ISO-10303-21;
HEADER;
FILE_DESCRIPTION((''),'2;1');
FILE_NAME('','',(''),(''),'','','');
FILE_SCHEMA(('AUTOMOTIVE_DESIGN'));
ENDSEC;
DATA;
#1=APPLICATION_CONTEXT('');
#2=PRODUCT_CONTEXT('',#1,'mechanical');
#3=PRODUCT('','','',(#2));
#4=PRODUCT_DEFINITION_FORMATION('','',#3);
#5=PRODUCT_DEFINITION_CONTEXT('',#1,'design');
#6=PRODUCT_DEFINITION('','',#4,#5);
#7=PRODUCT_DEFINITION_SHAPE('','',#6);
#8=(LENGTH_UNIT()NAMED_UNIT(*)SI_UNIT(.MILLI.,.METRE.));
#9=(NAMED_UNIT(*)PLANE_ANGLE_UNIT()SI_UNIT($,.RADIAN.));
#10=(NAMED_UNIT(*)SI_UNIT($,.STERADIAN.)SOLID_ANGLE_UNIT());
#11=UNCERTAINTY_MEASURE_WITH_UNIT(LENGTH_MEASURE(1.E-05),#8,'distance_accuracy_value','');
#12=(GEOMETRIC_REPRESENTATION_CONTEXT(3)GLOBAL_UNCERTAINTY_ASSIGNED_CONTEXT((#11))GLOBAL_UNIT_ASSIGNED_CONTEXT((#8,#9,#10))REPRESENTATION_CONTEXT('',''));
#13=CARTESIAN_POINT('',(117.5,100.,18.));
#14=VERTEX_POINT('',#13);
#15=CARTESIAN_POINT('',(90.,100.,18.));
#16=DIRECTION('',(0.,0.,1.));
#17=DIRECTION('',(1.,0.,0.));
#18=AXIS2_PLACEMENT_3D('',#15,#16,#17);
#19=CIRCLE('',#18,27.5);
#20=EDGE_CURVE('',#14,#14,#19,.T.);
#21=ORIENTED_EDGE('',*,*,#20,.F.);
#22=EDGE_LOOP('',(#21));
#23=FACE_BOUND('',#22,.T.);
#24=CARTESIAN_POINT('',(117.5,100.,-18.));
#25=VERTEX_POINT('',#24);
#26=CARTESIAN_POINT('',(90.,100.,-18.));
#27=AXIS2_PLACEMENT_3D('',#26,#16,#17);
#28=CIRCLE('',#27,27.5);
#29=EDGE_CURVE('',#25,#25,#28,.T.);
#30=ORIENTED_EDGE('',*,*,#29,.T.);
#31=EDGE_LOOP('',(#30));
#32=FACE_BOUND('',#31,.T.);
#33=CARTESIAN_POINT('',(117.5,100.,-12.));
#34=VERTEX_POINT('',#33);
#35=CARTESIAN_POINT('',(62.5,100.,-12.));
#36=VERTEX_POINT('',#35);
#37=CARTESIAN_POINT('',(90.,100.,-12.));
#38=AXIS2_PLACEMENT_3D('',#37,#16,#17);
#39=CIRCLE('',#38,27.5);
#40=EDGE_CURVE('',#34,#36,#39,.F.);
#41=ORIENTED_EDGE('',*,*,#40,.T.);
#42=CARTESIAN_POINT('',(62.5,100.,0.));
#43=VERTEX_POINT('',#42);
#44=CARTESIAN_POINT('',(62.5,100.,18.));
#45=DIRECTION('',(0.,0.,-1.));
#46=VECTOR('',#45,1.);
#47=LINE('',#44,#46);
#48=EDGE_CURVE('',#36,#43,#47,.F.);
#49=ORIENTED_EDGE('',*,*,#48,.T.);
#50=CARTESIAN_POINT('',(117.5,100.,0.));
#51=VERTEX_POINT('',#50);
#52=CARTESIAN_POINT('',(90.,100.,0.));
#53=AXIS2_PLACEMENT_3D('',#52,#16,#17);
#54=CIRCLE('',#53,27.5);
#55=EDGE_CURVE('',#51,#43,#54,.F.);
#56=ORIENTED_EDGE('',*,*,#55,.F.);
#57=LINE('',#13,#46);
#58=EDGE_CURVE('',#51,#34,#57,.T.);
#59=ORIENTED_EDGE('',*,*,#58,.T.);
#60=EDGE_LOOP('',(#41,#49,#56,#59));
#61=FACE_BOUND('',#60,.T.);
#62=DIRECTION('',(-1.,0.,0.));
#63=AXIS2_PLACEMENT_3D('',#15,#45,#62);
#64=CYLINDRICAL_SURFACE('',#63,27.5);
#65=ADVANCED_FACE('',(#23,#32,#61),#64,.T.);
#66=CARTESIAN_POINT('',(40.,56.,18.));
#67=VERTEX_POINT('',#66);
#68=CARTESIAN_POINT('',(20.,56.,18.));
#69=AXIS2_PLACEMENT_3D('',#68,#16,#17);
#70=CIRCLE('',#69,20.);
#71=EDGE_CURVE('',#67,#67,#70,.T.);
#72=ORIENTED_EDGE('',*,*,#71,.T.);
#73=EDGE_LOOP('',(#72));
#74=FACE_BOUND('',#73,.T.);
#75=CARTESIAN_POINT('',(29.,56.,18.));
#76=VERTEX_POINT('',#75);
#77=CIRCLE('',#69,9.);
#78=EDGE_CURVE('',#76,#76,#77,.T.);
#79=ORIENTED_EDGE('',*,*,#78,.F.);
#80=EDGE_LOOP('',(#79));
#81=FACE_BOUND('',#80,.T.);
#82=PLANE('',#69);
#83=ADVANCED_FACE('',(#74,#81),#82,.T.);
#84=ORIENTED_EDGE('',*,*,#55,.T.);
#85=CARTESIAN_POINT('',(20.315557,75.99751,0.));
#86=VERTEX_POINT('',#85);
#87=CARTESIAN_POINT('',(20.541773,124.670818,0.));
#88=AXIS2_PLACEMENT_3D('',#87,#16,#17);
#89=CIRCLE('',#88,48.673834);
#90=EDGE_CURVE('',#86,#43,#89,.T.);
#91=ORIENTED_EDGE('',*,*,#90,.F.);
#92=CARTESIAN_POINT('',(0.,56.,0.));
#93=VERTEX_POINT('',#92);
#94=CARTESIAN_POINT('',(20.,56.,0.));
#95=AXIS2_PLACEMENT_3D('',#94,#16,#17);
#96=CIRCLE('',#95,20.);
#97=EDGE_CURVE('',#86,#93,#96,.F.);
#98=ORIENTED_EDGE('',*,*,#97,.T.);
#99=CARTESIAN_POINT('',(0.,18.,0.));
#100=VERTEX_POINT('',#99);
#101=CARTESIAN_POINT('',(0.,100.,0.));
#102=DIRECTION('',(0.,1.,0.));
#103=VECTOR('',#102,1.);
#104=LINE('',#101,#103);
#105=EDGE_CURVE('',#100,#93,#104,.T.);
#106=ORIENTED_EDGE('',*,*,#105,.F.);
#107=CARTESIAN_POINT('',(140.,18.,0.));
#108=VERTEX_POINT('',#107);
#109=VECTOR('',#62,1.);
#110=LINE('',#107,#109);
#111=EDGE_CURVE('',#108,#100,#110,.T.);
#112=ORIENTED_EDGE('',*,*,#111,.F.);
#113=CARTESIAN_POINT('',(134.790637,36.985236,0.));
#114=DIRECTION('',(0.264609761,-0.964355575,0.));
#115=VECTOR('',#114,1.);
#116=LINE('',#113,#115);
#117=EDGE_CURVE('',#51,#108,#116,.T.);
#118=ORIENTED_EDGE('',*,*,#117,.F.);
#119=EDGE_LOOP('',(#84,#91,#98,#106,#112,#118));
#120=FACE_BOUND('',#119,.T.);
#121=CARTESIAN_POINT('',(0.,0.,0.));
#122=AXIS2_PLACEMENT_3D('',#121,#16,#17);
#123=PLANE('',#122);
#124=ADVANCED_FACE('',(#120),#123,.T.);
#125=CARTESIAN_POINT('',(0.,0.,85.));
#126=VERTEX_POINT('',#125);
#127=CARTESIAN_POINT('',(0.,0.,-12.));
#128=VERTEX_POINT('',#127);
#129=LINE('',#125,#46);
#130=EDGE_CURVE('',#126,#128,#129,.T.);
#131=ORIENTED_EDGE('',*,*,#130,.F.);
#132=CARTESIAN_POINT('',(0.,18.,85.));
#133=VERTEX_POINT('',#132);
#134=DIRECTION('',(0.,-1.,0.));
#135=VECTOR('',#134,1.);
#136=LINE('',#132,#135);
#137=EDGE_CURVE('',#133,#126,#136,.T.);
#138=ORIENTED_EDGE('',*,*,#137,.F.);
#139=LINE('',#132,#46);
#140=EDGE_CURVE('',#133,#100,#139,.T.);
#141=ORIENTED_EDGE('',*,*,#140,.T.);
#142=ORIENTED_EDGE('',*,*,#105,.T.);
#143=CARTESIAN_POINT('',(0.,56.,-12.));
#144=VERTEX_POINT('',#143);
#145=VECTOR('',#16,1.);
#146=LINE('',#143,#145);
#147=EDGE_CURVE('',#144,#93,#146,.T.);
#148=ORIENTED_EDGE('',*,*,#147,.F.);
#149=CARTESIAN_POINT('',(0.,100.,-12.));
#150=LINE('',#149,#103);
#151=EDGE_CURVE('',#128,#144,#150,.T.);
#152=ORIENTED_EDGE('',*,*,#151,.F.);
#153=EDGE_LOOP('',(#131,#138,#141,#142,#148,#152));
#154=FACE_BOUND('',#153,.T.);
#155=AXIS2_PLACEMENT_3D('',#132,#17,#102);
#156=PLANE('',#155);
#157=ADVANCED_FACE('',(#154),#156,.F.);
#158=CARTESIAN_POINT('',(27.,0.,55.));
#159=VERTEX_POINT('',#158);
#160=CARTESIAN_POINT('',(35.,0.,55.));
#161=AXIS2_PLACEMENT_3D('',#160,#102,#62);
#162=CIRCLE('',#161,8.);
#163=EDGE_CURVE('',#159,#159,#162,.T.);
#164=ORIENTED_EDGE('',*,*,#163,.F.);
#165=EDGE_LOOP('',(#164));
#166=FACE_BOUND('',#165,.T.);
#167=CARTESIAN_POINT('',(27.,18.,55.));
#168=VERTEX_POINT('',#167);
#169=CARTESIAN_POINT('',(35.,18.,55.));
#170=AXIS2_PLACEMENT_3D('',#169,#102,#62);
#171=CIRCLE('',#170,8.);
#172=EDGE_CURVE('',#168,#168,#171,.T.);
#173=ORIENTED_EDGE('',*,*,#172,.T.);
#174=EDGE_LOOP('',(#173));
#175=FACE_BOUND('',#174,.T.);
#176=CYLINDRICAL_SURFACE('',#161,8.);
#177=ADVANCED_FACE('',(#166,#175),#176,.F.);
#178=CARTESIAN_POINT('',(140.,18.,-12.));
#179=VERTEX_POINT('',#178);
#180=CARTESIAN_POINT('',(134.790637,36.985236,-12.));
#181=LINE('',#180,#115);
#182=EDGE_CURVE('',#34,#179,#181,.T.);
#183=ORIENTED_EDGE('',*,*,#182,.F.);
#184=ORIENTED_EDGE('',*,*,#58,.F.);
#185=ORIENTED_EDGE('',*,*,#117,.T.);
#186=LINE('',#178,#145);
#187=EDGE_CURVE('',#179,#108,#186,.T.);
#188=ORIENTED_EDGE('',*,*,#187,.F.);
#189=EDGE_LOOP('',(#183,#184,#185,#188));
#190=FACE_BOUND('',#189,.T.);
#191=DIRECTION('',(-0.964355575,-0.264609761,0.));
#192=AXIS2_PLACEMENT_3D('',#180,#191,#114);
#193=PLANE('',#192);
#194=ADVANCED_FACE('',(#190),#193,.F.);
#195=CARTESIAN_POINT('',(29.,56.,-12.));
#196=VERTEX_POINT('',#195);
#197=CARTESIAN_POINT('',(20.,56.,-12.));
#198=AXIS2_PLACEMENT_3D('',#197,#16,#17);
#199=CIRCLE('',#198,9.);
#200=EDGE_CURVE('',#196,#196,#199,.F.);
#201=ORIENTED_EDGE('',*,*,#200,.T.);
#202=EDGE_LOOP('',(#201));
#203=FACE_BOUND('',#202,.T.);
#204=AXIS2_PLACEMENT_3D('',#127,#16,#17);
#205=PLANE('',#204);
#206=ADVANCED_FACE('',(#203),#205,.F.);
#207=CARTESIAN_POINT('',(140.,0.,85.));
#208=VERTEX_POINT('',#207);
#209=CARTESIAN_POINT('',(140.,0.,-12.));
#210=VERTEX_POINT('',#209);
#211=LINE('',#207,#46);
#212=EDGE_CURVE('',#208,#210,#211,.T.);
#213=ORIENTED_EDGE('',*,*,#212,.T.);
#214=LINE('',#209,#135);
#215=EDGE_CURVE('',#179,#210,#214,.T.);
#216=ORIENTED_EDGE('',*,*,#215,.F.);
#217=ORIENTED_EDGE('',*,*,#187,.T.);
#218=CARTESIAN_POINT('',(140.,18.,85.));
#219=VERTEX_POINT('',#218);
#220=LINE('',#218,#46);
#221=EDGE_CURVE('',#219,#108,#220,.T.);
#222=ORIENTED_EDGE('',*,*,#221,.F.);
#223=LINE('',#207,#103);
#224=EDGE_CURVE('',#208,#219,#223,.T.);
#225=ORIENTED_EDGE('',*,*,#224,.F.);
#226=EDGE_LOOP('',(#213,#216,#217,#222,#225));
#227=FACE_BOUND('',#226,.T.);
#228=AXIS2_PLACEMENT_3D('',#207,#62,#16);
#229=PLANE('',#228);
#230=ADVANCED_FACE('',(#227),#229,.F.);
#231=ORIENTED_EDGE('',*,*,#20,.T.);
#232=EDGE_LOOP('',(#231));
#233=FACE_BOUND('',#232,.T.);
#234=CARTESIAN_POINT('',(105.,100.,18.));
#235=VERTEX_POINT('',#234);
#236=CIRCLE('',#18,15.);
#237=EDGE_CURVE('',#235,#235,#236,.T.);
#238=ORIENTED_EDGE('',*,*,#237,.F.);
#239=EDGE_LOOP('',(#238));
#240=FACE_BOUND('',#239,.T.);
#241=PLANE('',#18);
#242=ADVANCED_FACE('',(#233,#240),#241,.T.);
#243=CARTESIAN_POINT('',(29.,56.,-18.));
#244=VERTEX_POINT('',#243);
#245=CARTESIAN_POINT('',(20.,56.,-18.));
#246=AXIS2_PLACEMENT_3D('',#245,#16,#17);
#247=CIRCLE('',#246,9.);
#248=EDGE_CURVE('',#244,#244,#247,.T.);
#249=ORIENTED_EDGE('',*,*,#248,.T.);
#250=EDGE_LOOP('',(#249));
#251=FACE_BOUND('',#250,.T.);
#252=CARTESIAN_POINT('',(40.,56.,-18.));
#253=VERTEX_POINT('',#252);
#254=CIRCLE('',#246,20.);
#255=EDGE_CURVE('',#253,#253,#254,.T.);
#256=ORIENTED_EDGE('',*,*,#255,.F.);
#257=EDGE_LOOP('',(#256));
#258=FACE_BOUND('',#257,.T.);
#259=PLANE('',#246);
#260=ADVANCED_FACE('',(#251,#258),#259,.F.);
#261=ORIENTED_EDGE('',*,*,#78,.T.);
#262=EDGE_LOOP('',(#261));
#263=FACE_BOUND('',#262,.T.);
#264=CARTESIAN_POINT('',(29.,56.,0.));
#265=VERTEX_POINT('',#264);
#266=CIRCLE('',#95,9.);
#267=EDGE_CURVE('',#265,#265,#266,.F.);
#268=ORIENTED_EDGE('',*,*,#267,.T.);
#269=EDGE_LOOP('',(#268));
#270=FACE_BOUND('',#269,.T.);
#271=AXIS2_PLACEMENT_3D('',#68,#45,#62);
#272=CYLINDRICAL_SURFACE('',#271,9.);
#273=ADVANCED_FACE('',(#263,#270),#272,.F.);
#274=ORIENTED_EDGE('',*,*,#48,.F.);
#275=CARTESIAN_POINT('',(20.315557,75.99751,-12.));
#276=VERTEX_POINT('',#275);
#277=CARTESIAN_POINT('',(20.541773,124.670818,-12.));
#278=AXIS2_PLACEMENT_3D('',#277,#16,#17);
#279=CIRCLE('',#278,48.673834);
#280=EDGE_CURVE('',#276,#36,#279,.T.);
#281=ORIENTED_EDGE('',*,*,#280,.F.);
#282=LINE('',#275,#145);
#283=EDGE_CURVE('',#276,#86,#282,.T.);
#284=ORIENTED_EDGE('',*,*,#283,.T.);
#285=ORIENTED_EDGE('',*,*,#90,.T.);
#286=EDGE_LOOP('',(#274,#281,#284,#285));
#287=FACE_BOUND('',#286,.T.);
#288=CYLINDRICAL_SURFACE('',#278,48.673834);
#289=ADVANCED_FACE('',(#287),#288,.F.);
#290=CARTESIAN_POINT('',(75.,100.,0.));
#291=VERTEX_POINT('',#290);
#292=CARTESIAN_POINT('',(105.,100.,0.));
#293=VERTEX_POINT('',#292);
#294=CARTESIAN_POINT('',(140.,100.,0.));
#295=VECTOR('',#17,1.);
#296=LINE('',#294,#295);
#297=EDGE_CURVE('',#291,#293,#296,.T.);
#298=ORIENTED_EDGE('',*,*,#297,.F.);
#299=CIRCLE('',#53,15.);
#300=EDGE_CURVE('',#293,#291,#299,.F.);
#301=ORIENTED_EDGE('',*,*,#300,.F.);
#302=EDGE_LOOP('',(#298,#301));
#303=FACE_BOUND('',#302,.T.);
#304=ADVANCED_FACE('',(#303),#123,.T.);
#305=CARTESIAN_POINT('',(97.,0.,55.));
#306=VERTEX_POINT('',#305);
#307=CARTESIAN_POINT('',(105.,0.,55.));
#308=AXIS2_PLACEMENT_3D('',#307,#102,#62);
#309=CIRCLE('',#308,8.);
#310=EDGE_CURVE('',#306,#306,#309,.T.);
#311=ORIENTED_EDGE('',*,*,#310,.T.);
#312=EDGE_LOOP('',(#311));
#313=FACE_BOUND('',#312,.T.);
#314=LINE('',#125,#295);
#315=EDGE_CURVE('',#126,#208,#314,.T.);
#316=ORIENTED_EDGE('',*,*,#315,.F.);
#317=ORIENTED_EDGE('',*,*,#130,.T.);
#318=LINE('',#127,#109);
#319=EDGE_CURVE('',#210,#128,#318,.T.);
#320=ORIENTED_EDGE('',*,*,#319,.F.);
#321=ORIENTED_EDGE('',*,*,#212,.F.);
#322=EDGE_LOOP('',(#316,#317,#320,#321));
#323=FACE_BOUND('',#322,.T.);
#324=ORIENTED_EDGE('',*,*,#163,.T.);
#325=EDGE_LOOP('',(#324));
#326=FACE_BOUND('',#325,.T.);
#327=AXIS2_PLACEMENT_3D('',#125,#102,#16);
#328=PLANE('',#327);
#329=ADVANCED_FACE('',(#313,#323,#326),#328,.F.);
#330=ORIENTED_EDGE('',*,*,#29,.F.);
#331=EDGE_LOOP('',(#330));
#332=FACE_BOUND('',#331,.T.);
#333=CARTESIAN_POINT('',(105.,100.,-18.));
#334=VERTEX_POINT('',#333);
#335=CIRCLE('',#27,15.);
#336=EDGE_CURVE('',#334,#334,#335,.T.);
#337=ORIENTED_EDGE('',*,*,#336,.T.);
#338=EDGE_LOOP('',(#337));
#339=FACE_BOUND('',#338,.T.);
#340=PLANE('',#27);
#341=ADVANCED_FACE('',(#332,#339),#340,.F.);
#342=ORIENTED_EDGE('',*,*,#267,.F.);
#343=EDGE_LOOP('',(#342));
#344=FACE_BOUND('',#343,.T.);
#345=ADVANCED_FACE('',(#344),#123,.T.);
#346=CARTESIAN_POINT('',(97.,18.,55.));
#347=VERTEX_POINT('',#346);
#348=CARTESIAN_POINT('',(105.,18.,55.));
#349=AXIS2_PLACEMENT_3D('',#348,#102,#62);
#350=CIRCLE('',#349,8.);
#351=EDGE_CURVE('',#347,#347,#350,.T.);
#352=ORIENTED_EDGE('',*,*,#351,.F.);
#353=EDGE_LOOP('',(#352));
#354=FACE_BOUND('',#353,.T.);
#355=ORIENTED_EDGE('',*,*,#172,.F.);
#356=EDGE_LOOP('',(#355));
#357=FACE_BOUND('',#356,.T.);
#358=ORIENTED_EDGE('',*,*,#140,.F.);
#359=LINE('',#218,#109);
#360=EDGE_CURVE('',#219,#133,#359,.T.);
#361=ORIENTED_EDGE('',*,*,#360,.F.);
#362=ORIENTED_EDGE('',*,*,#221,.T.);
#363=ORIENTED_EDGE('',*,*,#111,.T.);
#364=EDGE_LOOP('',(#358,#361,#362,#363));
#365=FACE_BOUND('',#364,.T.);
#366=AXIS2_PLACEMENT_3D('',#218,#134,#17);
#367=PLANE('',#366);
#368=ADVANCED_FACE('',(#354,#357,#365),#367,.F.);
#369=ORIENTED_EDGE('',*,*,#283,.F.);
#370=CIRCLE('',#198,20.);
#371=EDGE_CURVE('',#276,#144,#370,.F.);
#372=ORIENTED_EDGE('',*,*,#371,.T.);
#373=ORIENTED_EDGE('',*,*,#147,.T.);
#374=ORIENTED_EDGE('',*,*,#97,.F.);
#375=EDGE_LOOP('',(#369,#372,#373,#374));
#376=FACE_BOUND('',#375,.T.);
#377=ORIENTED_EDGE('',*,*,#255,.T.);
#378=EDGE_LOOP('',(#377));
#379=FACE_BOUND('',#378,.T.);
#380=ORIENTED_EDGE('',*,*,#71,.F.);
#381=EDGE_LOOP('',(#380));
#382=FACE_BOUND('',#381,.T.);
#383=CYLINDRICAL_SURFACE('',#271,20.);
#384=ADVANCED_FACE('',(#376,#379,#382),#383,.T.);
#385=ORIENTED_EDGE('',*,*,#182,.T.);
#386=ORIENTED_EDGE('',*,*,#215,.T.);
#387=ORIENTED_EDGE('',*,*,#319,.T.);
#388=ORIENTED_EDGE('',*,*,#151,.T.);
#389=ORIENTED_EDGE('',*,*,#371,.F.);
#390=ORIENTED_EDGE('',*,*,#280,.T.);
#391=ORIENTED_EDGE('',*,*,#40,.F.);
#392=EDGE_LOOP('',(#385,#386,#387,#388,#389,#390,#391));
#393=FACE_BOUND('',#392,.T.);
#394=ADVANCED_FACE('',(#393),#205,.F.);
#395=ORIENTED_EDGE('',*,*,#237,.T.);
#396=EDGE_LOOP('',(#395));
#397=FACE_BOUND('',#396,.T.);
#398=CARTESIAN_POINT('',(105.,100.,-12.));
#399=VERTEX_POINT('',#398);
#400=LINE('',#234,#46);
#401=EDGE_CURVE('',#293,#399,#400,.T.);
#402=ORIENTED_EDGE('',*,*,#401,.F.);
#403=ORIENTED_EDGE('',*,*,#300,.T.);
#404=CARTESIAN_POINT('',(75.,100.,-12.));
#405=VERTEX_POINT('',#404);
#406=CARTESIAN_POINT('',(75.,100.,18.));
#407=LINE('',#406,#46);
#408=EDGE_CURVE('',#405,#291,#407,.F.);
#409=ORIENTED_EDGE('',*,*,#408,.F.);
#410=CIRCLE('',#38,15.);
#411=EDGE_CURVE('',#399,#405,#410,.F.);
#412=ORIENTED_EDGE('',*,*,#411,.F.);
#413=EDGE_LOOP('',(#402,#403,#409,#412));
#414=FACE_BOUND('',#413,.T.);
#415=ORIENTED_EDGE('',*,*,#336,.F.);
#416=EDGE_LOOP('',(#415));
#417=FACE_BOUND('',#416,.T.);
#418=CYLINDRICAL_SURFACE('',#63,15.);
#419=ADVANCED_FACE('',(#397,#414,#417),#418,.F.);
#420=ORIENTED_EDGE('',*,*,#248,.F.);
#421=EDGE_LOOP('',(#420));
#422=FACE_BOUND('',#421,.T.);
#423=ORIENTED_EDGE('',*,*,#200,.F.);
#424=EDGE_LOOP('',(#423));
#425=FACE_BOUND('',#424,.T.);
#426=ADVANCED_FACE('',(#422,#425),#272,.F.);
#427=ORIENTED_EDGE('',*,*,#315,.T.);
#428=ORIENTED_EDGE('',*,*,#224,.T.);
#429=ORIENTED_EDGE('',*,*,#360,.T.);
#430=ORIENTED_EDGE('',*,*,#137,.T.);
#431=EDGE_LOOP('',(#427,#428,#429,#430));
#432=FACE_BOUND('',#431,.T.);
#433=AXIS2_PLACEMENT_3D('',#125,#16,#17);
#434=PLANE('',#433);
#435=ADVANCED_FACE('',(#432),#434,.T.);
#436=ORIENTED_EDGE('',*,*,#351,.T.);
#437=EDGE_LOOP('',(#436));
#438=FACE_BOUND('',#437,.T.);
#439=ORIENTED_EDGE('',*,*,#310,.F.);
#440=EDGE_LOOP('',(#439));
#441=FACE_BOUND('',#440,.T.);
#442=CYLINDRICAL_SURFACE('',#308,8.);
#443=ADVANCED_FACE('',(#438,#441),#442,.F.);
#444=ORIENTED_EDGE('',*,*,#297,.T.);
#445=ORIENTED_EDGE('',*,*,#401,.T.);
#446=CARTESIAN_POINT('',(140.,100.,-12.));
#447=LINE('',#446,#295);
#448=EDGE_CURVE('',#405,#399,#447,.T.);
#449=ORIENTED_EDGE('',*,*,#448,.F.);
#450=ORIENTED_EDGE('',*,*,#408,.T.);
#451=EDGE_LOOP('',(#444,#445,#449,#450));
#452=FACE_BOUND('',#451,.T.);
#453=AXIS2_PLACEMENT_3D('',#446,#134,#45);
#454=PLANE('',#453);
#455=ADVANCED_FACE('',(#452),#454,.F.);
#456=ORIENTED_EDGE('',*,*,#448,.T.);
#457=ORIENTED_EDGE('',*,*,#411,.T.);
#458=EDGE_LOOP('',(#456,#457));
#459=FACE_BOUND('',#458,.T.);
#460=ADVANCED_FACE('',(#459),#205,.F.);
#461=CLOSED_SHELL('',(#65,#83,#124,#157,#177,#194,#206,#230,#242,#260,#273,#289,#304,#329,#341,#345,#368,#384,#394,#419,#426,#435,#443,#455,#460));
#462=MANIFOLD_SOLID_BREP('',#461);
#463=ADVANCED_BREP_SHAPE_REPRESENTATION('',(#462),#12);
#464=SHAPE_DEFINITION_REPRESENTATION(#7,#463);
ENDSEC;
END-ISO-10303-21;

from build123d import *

# Parameters (mm, degrees)
SKETCH1_W           = 140
SKETCH1_H           = 18
BOSS_EXTRUDE1_DEPTH = 85
SKETCH3_R           = 8
CUT_EXTRUDE2_DEPTH  = 18
SKETCH5_W           = 140
SKETCH5_H           = 100
BOSS_EXTRUDE5_DEPTH = 12
SKETCH8_R           = 20
SKETCH8_R_2         = 9
SKETCH8_R_3         = 27.5
SKETCH8_R_4         = 15
BOSS_EXTRUDE6_DEPTH = 18
CUT_EXTRUDE3_DEPTH  = 12


with BuildPart() as part:
    # Sketch1 → Boss-Extrude1 (new body)
    with BuildSketch(Plane.XY):
        with Locations((70, 9)):
            Rectangle(SKETCH1_W, SKETCH1_H)
    extrude(amount=BOSS_EXTRUDE1_DEPTH)

    # Sketch3 → Cut-Extrude2 (cut)
    with BuildSketch(Plane(origin=(0, 18, 0), x_dir=(1, 0, 0), z_dir=(0, 1, 0))):
        with Locations(Location((35, -55, 0), (0, 0, 180))):
            Circle(SKETCH3_R)
        with Locations(Location((105, -55, 0), (0, 0, 180))):
            Circle(SKETCH3_R)
    extrude(amount=-CUT_EXTRUDE2_DEPTH, mode=Mode.SUBTRACT)

    # Sketch5 → Boss-Extrude5 (add)
    with BuildSketch(Plane(origin=(0, 0, 0), x_dir=(-1, 0, 0), z_dir=(0, 0, -1))):
        with Locations((-70, 50)):
            Rectangle(SKETCH5_W, SKETCH5_H)
    extrude(amount=BOSS_EXTRUDE5_DEPTH)

    # Sketch8 → Boss-Extrude6 (add, symmetric)
    # profile 1 of 2: a face of its own
    with BuildSketch(Plane.XY):
        with Locations(Location((20, 56, 0), (0, 0, 180))):
            Circle(SKETCH8_R)
        with Locations((20, 56)):
            Circle(SKETCH8_R_2, mode=Mode.SUBTRACT)
    # profile 2 of 2: a face of its own
    with BuildSketch(Plane.XY):
        with Locations((90, 100)):
            Circle(SKETCH8_R_3)
        with Locations((90, 100)):
            Circle(SKETCH8_R_4, mode=Mode.SUBTRACT)
    extrude(amount=BOSS_EXTRUDE6_DEPTH, both=True)

    # Sketch10 → Cut-Extrude3 (cut)
    with BuildSketch(Plane.XY):
        Polygon((117.5, 100), (140, 18), (140, 100), align=None)
        with BuildLine():
            ThreePointArc((20.315557315, 75.997510435), (44.612918998, 82.365712085), (62.5, 100))
            Line((62.5, 100), (0, 100))
            Line((0, 100), (0, 56))
            ThreePointArc((0, 56), (5.857864376, 70.142135624), (20, 76))
            ThreePointArc((20, 76), (20.157783568, 75.999377599), (20.315557315, 75.997510435))
        make_face()
    extrude(amount=-CUT_EXTRUDE3_DEPTH, mode=Mode.SUBTRACT)


solid = part.part
